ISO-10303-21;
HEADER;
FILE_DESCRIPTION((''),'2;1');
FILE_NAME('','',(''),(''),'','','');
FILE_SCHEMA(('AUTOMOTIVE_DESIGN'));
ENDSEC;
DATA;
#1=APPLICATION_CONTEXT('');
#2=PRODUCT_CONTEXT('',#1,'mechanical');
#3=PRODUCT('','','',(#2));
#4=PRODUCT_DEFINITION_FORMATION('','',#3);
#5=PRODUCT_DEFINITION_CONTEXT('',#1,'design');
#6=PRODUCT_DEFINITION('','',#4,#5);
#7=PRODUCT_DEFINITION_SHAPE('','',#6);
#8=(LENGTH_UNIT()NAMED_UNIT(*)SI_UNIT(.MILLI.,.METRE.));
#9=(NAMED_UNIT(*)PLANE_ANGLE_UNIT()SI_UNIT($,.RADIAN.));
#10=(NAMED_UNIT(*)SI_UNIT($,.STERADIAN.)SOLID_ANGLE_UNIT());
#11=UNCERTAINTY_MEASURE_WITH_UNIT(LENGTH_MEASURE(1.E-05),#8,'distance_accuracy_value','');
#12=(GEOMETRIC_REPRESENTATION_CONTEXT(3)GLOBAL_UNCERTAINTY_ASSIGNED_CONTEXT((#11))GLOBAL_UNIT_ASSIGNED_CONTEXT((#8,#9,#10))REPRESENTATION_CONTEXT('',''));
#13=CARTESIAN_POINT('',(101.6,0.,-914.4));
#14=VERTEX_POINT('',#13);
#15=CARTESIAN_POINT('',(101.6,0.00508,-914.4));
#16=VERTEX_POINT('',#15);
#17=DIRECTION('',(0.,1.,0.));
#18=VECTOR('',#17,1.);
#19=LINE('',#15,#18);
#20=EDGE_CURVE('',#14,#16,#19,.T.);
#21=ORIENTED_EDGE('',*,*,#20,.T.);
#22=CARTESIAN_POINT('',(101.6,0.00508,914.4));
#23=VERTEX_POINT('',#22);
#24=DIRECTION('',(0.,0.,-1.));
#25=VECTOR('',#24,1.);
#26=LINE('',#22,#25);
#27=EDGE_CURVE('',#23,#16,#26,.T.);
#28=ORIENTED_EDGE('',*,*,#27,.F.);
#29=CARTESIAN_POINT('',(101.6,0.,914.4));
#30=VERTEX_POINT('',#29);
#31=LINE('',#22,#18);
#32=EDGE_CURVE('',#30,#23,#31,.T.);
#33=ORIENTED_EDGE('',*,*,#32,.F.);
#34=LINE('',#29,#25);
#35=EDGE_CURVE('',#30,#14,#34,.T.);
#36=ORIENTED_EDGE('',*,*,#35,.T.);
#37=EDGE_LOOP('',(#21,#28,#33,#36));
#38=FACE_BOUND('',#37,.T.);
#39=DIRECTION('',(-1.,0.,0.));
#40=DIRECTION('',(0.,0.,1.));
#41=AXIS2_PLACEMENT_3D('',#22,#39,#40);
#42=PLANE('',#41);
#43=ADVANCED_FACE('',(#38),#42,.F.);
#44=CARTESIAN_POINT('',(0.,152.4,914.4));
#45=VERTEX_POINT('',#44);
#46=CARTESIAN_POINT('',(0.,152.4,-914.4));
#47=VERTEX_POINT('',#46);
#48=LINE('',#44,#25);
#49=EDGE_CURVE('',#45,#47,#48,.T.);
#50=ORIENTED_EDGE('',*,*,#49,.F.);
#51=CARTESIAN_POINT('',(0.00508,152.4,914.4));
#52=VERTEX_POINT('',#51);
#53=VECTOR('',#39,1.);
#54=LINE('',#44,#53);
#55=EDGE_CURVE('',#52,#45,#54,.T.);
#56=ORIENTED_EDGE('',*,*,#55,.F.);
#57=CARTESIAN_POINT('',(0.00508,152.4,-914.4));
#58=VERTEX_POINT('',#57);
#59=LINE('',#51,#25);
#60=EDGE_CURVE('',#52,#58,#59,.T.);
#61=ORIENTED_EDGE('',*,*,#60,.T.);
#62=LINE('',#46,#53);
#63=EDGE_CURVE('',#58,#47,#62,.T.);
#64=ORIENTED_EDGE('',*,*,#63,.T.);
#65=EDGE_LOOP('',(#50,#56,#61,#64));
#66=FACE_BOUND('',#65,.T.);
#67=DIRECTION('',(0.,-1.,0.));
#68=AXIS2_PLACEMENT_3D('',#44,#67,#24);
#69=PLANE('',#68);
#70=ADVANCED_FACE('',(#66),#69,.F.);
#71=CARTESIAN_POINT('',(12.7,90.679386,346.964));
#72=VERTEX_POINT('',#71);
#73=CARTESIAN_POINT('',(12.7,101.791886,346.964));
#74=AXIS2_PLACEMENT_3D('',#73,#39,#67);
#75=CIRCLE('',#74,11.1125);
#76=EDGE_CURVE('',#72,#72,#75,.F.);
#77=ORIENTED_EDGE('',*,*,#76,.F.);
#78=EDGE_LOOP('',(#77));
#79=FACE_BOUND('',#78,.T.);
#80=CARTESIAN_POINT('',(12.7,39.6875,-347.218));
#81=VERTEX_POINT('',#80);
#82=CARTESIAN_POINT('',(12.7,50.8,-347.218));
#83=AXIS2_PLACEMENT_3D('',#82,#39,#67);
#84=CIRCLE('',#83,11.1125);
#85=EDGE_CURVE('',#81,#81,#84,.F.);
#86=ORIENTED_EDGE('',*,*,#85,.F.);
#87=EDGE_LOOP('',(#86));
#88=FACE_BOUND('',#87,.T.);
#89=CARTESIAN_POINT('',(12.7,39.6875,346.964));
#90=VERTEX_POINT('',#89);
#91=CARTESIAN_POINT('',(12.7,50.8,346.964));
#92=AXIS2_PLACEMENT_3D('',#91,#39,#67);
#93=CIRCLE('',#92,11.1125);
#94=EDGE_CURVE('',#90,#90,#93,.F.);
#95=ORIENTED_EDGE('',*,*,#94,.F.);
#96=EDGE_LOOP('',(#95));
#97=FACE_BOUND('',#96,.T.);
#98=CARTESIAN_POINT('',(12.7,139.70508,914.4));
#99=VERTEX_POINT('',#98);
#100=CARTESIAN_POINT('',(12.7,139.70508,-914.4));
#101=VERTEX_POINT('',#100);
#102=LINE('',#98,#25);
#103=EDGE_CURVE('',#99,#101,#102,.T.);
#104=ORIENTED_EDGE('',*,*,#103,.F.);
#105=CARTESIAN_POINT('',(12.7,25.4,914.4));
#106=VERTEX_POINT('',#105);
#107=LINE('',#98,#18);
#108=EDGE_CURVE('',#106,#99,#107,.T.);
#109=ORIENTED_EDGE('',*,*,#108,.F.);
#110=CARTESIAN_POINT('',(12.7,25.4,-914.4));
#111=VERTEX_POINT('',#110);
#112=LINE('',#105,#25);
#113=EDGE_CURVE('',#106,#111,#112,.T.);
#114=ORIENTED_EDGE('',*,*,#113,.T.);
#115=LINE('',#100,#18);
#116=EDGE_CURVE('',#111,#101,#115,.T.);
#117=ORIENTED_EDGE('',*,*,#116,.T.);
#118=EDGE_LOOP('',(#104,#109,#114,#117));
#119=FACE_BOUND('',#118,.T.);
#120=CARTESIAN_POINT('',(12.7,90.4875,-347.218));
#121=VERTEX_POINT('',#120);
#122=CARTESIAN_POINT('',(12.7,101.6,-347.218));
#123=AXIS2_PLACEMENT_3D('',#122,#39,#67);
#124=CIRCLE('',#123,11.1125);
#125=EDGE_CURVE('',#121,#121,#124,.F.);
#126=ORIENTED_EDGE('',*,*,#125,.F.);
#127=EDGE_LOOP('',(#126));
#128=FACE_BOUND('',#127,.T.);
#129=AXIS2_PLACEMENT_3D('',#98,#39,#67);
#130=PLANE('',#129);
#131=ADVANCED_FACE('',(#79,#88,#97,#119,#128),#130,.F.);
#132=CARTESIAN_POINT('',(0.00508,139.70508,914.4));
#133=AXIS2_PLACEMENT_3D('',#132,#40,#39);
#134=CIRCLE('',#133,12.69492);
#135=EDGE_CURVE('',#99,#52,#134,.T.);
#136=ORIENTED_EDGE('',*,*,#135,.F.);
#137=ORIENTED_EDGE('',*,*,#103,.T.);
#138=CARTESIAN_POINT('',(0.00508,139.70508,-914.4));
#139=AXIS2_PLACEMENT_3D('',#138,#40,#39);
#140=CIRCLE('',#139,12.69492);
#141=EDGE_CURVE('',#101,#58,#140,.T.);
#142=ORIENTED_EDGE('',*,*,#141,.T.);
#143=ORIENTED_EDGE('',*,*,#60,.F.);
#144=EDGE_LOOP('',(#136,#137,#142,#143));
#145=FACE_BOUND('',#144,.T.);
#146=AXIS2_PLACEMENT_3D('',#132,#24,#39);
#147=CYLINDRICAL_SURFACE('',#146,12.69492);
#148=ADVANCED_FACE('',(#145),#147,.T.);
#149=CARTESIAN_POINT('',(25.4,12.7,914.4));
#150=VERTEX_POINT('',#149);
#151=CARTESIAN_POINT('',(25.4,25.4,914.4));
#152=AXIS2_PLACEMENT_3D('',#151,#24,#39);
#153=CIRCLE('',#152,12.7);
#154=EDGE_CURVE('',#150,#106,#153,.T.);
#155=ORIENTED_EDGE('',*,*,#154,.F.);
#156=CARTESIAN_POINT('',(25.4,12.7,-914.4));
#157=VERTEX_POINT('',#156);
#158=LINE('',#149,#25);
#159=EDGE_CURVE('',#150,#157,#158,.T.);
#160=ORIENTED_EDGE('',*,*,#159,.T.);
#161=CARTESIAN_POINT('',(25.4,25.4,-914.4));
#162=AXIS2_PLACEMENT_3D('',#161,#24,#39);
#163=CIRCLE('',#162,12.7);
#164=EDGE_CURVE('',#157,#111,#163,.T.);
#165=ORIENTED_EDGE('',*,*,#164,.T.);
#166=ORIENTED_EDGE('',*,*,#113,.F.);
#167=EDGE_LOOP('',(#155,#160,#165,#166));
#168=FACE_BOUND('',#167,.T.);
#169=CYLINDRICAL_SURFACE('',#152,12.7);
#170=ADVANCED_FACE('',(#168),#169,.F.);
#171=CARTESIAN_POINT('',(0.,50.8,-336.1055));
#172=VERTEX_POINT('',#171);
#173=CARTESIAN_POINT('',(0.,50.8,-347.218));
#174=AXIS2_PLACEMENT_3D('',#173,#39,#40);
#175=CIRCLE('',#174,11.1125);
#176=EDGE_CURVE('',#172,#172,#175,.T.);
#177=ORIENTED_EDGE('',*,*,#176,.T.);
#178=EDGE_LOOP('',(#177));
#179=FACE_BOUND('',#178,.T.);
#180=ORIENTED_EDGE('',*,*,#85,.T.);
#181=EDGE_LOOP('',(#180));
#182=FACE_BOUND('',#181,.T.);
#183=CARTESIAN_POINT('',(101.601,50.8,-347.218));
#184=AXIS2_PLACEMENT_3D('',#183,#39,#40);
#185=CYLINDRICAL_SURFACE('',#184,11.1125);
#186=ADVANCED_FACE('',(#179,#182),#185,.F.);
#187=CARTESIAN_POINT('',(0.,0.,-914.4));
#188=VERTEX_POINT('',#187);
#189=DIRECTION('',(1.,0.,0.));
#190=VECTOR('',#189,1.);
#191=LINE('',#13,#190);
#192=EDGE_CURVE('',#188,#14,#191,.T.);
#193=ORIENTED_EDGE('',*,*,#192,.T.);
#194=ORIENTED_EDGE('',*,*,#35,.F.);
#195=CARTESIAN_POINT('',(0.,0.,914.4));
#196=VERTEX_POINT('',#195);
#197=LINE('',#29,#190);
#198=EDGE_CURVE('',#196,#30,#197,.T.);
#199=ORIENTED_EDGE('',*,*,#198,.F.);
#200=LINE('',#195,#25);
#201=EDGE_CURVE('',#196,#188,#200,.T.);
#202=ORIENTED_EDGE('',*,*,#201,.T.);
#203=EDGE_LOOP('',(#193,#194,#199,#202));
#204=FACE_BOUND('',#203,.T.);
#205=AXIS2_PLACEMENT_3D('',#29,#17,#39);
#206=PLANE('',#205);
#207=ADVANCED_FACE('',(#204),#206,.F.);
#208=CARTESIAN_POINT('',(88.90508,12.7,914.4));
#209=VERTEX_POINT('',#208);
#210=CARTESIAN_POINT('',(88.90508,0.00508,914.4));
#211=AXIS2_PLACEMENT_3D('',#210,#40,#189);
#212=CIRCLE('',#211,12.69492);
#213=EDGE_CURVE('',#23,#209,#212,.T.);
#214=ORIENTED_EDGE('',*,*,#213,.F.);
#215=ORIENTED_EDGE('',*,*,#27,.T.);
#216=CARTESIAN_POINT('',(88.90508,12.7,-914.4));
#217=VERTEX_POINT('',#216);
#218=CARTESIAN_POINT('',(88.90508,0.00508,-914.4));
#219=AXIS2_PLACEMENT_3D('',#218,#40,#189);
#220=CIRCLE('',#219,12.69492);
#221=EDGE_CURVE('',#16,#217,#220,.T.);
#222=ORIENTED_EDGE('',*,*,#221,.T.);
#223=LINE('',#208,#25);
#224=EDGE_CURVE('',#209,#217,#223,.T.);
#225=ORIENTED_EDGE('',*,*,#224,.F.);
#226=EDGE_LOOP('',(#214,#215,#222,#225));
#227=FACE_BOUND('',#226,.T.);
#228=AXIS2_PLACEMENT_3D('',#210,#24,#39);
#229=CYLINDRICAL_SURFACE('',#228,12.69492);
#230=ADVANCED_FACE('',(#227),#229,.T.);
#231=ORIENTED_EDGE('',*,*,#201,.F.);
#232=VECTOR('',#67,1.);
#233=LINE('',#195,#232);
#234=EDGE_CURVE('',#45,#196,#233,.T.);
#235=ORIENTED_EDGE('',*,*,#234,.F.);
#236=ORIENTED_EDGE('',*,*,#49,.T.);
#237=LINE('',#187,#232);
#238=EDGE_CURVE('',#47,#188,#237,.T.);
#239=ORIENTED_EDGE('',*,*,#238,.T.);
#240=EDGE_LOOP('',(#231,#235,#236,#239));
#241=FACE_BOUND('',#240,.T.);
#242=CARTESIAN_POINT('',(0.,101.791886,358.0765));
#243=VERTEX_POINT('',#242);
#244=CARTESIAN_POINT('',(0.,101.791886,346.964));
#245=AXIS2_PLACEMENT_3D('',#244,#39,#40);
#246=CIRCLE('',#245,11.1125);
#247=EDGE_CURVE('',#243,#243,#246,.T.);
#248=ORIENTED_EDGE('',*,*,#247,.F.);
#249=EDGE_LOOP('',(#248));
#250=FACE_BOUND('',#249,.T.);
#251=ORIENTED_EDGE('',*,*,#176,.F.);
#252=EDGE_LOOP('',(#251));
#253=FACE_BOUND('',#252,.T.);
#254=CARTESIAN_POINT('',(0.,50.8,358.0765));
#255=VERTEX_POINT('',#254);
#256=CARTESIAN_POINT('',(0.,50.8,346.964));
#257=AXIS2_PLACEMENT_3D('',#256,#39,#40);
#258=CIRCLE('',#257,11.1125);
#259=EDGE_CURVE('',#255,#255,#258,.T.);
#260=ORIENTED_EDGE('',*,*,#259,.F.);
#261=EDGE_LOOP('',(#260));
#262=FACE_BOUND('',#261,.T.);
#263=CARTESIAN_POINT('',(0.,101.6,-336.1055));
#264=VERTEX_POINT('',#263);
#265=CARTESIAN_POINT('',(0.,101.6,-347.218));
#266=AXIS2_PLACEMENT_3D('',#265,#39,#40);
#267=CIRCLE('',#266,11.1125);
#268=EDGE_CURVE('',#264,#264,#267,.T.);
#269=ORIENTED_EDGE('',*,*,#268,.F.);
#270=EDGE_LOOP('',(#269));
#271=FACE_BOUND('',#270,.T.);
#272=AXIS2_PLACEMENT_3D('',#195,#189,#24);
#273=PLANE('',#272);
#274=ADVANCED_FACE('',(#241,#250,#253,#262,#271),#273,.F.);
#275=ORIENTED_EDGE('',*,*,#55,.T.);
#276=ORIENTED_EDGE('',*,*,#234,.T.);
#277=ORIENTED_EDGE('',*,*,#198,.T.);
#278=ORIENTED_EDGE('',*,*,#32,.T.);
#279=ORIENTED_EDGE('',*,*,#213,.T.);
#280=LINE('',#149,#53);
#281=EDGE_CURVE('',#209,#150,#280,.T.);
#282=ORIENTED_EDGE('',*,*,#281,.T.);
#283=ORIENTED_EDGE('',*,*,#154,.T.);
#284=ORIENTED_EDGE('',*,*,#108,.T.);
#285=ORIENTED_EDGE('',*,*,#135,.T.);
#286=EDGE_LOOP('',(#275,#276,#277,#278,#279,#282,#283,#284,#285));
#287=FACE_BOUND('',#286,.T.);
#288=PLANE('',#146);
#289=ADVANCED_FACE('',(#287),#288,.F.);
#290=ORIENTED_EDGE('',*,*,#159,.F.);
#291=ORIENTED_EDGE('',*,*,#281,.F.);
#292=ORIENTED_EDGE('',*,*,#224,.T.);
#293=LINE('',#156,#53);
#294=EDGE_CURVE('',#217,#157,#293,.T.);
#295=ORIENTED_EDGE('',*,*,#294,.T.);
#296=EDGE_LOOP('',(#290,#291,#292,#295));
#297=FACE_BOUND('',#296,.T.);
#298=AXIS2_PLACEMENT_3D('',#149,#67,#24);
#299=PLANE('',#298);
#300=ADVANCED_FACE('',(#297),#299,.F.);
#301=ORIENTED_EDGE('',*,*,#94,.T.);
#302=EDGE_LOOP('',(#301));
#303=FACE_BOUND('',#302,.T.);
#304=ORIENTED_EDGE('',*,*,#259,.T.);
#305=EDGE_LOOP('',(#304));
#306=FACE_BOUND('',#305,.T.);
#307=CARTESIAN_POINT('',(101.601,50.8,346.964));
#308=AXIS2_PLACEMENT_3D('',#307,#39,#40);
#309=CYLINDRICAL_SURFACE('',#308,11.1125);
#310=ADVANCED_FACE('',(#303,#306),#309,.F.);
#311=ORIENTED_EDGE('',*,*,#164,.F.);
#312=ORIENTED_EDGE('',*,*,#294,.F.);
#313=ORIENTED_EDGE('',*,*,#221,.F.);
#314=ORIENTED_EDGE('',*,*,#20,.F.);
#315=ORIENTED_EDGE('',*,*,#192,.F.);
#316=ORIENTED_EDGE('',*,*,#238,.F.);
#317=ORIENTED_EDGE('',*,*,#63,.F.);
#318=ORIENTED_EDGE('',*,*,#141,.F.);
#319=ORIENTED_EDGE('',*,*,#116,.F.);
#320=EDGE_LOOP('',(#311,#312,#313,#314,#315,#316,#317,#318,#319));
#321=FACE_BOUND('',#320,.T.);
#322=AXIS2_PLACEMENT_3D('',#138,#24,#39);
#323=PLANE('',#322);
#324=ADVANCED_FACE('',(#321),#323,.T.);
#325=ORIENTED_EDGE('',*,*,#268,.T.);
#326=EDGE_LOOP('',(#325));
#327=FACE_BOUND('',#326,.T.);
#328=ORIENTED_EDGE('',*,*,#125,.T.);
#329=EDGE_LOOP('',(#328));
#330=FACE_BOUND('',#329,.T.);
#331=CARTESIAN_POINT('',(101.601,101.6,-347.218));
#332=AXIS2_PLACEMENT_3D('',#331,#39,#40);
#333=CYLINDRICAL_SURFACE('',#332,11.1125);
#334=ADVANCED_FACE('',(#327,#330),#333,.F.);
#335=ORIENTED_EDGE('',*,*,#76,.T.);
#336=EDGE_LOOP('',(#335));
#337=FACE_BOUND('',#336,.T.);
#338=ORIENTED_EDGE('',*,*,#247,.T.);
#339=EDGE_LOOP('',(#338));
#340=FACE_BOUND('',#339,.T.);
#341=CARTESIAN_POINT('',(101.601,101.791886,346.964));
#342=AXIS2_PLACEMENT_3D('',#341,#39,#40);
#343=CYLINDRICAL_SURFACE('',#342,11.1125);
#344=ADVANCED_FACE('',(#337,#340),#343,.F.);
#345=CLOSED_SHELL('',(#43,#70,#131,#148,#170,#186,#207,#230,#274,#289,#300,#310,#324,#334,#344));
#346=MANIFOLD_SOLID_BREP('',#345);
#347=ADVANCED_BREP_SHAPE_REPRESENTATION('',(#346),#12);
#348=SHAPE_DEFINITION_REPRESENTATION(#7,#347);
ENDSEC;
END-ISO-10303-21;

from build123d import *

# Parameters (mm, degrees)
BOSS_EXTRUDE1_DEPTH = 914.4
CUT_EXTRUDE1_REACH  = 103.6
SKETCH2_R           = 11.1125


with BuildPart() as part:
    # Sketch1 → Boss-Extrude1 (new body, symmetric)
    with BuildSketch(Plane.XY):
        with BuildLine():
            Line((0, 0), (0, 152.4))
            Line((0, 152.4), (0.00508, 152.4))
            ThreePointArc((0.00508, 152.4), (8.981744019, 148.681744019), (12.7, 139.70508))
            Line((12.7, 139.70508), (12.7, 25.4))
            ThreePointArc((12.7, 25.4), (16.419743879, 16.419743879), (25.4, 12.7))
            Line((25.4, 12.7), (88.90508, 12.7))
            ThreePointArc((88.90508, 12.7), (97.881744019, 8.981744019), (101.6, 0.00508))
            Line((101.6, 0.00508), (101.6, 0))
            Line((101.6, 0), (0, 0))
        make_face()
    extrude(amount=BOSS_EXTRUDE1_DEPTH, both=True)

    # Sketch2 → Cut-Extrude1 (cut, up to next)
    with BuildSketch(Plane.ZY, mode=Mode.PRIVATE) as cut_extrude1_sk1:
        with Locations((346.964, 50.8)):
            Circle(SKETCH2_R)
    cut_extrude1_tool1 = extrude(cut_extrude1_sk1.sketch, amount=-CUT_EXTRUDE1_REACH, mode=Mode.PRIVATE) & part.part
    add(cut_extrude1_tool1.solids().sort_by_distance((0, 50.8, 346.964))[0], mode=Mode.SUBTRACT)
    # Sketch2 → Cut-Extrude1 (cut, up to next)
    with BuildSketch(Plane.ZY, mode=Mode.PRIVATE) as cut_extrude1_sk2:
        with Locations((-347.218, 50.8)):
            Circle(SKETCH2_R)
    cut_extrude1_tool2 = extrude(cut_extrude1_sk2.sketch, amount=-CUT_EXTRUDE1_REACH, mode=Mode.PRIVATE) & part.part
    add(cut_extrude1_tool2.solids().sort_by_distance((0, 50.8, -347.218))[0], mode=Mode.SUBTRACT)
    # Sketch2 → Cut-Extrude1 (cut, up to next)
    with BuildSketch(Plane.ZY, mode=Mode.PRIVATE) as cut_extrude1_sk3:
        with Locations((346.964, 101.791886097)):
            Circle(SKETCH2_R)
    cut_extrude1_tool3 = extrude(cut_extrude1_sk3.sketch, amount=-CUT_EXTRUDE1_REACH, mode=Mode.PRIVATE) & part.part
    add(cut_extrude1_tool3.solids().sort_by_distance((0, 101.791886, 346.964))[0], mode=Mode.SUBTRACT)
    # Sketch2 → Cut-Extrude1 (cut, up to next)
    with BuildSketch(Plane.ZY, mode=Mode.PRIVATE) as cut_extrude1_sk4:
        with Locations((-347.218, 101.6)):
            Circle(SKETCH2_R)
    cut_extrude1_tool4 = extrude(cut_extrude1_sk4.sketch, amount=-CUT_EXTRUDE1_REACH, mode=Mode.PRIVATE) & part.part
    add(cut_extrude1_tool4.solids().sort_by_distance((0, 101.6, -347.218))[0], mode=Mode.SUBTRACT)


solid = part.part
